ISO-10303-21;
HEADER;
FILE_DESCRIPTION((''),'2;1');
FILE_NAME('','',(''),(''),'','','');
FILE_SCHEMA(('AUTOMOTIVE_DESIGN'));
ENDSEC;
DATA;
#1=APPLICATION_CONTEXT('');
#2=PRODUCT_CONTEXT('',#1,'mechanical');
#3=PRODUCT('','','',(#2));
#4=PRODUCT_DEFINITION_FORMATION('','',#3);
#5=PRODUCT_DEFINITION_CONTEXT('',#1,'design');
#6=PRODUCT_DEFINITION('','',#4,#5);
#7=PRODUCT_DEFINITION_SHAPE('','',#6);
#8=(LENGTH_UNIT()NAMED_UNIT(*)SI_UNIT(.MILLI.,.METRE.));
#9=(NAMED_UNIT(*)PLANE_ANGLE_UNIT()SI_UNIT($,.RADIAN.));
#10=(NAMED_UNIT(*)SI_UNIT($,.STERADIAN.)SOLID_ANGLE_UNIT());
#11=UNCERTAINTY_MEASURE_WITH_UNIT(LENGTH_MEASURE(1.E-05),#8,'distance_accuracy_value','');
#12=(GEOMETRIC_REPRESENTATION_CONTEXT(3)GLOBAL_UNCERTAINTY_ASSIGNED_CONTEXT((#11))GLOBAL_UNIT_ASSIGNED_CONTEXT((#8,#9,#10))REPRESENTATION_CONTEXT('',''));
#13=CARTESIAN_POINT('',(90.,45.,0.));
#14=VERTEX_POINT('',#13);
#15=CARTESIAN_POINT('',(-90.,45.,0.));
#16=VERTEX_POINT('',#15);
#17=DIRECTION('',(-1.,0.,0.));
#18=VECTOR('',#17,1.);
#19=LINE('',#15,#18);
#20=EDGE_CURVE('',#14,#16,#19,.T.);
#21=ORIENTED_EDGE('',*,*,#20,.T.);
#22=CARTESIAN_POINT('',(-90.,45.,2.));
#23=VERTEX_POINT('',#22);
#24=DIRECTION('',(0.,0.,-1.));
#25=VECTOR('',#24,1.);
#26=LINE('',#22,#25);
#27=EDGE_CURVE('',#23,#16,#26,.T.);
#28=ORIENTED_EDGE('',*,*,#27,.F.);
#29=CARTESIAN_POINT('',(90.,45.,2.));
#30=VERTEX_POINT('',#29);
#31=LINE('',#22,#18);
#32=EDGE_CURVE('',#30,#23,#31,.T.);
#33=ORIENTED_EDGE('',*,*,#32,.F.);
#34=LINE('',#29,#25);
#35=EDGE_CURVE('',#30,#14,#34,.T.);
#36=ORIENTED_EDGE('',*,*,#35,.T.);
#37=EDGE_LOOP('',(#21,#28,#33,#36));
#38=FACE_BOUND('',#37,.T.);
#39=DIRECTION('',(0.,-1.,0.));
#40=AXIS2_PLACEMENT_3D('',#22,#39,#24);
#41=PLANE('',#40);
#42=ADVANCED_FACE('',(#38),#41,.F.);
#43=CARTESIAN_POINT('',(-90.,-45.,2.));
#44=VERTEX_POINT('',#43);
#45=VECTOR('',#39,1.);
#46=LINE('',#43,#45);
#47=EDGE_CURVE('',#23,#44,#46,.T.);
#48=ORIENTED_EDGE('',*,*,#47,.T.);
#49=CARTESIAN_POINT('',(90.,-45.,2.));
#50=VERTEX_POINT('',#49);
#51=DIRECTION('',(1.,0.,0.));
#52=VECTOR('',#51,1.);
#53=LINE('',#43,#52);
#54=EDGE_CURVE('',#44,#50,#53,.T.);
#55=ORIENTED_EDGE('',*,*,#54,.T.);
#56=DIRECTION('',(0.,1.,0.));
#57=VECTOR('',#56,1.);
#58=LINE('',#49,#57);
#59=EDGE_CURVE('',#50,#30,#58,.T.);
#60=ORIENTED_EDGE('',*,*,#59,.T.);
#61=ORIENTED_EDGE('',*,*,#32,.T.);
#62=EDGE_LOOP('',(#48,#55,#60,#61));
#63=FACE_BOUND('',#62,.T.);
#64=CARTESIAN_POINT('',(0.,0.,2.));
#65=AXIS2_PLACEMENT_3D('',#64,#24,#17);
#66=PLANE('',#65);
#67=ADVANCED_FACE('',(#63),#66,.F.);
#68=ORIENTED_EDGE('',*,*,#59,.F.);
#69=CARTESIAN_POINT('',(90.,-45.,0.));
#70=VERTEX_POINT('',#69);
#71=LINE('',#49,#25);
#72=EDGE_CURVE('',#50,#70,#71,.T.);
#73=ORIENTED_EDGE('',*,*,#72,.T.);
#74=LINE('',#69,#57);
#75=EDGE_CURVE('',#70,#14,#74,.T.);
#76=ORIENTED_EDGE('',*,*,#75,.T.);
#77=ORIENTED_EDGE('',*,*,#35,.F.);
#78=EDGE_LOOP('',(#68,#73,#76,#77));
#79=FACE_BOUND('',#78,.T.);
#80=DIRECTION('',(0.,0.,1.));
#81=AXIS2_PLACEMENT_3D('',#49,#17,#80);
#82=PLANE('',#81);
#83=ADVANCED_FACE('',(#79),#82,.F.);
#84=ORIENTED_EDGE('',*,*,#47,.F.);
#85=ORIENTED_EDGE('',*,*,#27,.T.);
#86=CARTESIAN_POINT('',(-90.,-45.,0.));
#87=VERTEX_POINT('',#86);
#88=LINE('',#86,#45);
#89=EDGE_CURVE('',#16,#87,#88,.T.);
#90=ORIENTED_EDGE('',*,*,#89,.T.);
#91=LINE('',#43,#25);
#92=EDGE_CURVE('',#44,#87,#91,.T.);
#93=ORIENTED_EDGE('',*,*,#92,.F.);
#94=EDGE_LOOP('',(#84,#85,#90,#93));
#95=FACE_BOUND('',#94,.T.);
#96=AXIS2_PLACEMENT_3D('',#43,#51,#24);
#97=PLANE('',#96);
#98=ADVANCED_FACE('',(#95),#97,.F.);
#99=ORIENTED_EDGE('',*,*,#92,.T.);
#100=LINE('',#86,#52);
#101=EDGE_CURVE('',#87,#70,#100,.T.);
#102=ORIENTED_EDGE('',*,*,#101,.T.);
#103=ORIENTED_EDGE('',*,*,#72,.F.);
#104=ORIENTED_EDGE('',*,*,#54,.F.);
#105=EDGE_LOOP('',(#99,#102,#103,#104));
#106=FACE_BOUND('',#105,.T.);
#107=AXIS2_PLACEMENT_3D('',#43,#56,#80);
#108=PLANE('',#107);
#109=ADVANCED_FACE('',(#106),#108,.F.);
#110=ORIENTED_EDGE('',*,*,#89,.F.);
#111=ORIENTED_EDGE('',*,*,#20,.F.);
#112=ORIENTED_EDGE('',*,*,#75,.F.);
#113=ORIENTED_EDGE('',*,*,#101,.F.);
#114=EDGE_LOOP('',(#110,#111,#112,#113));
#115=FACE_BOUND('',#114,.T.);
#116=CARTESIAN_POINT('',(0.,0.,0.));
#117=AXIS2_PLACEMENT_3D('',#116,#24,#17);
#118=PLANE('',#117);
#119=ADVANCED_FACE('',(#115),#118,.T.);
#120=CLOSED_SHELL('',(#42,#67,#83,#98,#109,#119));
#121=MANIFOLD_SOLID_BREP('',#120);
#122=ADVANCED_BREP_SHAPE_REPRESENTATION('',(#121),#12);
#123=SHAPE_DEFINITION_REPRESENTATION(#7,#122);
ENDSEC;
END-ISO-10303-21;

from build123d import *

# Parameters (mm, degrees)
SKETCH_1_W      = 180
SKETCH_1_H      = 90
EXTRUDE_1_DEPTH = 2


with BuildPart() as part:
    # 草图1 → 凸台-拉伸1 (new body)
    with BuildSketch(Plane.XY):
        Rectangle(SKETCH_1_W, SKETCH_1_H)
    extrude(amount=EXTRUDE_1_DEPTH)


solid = part.part
